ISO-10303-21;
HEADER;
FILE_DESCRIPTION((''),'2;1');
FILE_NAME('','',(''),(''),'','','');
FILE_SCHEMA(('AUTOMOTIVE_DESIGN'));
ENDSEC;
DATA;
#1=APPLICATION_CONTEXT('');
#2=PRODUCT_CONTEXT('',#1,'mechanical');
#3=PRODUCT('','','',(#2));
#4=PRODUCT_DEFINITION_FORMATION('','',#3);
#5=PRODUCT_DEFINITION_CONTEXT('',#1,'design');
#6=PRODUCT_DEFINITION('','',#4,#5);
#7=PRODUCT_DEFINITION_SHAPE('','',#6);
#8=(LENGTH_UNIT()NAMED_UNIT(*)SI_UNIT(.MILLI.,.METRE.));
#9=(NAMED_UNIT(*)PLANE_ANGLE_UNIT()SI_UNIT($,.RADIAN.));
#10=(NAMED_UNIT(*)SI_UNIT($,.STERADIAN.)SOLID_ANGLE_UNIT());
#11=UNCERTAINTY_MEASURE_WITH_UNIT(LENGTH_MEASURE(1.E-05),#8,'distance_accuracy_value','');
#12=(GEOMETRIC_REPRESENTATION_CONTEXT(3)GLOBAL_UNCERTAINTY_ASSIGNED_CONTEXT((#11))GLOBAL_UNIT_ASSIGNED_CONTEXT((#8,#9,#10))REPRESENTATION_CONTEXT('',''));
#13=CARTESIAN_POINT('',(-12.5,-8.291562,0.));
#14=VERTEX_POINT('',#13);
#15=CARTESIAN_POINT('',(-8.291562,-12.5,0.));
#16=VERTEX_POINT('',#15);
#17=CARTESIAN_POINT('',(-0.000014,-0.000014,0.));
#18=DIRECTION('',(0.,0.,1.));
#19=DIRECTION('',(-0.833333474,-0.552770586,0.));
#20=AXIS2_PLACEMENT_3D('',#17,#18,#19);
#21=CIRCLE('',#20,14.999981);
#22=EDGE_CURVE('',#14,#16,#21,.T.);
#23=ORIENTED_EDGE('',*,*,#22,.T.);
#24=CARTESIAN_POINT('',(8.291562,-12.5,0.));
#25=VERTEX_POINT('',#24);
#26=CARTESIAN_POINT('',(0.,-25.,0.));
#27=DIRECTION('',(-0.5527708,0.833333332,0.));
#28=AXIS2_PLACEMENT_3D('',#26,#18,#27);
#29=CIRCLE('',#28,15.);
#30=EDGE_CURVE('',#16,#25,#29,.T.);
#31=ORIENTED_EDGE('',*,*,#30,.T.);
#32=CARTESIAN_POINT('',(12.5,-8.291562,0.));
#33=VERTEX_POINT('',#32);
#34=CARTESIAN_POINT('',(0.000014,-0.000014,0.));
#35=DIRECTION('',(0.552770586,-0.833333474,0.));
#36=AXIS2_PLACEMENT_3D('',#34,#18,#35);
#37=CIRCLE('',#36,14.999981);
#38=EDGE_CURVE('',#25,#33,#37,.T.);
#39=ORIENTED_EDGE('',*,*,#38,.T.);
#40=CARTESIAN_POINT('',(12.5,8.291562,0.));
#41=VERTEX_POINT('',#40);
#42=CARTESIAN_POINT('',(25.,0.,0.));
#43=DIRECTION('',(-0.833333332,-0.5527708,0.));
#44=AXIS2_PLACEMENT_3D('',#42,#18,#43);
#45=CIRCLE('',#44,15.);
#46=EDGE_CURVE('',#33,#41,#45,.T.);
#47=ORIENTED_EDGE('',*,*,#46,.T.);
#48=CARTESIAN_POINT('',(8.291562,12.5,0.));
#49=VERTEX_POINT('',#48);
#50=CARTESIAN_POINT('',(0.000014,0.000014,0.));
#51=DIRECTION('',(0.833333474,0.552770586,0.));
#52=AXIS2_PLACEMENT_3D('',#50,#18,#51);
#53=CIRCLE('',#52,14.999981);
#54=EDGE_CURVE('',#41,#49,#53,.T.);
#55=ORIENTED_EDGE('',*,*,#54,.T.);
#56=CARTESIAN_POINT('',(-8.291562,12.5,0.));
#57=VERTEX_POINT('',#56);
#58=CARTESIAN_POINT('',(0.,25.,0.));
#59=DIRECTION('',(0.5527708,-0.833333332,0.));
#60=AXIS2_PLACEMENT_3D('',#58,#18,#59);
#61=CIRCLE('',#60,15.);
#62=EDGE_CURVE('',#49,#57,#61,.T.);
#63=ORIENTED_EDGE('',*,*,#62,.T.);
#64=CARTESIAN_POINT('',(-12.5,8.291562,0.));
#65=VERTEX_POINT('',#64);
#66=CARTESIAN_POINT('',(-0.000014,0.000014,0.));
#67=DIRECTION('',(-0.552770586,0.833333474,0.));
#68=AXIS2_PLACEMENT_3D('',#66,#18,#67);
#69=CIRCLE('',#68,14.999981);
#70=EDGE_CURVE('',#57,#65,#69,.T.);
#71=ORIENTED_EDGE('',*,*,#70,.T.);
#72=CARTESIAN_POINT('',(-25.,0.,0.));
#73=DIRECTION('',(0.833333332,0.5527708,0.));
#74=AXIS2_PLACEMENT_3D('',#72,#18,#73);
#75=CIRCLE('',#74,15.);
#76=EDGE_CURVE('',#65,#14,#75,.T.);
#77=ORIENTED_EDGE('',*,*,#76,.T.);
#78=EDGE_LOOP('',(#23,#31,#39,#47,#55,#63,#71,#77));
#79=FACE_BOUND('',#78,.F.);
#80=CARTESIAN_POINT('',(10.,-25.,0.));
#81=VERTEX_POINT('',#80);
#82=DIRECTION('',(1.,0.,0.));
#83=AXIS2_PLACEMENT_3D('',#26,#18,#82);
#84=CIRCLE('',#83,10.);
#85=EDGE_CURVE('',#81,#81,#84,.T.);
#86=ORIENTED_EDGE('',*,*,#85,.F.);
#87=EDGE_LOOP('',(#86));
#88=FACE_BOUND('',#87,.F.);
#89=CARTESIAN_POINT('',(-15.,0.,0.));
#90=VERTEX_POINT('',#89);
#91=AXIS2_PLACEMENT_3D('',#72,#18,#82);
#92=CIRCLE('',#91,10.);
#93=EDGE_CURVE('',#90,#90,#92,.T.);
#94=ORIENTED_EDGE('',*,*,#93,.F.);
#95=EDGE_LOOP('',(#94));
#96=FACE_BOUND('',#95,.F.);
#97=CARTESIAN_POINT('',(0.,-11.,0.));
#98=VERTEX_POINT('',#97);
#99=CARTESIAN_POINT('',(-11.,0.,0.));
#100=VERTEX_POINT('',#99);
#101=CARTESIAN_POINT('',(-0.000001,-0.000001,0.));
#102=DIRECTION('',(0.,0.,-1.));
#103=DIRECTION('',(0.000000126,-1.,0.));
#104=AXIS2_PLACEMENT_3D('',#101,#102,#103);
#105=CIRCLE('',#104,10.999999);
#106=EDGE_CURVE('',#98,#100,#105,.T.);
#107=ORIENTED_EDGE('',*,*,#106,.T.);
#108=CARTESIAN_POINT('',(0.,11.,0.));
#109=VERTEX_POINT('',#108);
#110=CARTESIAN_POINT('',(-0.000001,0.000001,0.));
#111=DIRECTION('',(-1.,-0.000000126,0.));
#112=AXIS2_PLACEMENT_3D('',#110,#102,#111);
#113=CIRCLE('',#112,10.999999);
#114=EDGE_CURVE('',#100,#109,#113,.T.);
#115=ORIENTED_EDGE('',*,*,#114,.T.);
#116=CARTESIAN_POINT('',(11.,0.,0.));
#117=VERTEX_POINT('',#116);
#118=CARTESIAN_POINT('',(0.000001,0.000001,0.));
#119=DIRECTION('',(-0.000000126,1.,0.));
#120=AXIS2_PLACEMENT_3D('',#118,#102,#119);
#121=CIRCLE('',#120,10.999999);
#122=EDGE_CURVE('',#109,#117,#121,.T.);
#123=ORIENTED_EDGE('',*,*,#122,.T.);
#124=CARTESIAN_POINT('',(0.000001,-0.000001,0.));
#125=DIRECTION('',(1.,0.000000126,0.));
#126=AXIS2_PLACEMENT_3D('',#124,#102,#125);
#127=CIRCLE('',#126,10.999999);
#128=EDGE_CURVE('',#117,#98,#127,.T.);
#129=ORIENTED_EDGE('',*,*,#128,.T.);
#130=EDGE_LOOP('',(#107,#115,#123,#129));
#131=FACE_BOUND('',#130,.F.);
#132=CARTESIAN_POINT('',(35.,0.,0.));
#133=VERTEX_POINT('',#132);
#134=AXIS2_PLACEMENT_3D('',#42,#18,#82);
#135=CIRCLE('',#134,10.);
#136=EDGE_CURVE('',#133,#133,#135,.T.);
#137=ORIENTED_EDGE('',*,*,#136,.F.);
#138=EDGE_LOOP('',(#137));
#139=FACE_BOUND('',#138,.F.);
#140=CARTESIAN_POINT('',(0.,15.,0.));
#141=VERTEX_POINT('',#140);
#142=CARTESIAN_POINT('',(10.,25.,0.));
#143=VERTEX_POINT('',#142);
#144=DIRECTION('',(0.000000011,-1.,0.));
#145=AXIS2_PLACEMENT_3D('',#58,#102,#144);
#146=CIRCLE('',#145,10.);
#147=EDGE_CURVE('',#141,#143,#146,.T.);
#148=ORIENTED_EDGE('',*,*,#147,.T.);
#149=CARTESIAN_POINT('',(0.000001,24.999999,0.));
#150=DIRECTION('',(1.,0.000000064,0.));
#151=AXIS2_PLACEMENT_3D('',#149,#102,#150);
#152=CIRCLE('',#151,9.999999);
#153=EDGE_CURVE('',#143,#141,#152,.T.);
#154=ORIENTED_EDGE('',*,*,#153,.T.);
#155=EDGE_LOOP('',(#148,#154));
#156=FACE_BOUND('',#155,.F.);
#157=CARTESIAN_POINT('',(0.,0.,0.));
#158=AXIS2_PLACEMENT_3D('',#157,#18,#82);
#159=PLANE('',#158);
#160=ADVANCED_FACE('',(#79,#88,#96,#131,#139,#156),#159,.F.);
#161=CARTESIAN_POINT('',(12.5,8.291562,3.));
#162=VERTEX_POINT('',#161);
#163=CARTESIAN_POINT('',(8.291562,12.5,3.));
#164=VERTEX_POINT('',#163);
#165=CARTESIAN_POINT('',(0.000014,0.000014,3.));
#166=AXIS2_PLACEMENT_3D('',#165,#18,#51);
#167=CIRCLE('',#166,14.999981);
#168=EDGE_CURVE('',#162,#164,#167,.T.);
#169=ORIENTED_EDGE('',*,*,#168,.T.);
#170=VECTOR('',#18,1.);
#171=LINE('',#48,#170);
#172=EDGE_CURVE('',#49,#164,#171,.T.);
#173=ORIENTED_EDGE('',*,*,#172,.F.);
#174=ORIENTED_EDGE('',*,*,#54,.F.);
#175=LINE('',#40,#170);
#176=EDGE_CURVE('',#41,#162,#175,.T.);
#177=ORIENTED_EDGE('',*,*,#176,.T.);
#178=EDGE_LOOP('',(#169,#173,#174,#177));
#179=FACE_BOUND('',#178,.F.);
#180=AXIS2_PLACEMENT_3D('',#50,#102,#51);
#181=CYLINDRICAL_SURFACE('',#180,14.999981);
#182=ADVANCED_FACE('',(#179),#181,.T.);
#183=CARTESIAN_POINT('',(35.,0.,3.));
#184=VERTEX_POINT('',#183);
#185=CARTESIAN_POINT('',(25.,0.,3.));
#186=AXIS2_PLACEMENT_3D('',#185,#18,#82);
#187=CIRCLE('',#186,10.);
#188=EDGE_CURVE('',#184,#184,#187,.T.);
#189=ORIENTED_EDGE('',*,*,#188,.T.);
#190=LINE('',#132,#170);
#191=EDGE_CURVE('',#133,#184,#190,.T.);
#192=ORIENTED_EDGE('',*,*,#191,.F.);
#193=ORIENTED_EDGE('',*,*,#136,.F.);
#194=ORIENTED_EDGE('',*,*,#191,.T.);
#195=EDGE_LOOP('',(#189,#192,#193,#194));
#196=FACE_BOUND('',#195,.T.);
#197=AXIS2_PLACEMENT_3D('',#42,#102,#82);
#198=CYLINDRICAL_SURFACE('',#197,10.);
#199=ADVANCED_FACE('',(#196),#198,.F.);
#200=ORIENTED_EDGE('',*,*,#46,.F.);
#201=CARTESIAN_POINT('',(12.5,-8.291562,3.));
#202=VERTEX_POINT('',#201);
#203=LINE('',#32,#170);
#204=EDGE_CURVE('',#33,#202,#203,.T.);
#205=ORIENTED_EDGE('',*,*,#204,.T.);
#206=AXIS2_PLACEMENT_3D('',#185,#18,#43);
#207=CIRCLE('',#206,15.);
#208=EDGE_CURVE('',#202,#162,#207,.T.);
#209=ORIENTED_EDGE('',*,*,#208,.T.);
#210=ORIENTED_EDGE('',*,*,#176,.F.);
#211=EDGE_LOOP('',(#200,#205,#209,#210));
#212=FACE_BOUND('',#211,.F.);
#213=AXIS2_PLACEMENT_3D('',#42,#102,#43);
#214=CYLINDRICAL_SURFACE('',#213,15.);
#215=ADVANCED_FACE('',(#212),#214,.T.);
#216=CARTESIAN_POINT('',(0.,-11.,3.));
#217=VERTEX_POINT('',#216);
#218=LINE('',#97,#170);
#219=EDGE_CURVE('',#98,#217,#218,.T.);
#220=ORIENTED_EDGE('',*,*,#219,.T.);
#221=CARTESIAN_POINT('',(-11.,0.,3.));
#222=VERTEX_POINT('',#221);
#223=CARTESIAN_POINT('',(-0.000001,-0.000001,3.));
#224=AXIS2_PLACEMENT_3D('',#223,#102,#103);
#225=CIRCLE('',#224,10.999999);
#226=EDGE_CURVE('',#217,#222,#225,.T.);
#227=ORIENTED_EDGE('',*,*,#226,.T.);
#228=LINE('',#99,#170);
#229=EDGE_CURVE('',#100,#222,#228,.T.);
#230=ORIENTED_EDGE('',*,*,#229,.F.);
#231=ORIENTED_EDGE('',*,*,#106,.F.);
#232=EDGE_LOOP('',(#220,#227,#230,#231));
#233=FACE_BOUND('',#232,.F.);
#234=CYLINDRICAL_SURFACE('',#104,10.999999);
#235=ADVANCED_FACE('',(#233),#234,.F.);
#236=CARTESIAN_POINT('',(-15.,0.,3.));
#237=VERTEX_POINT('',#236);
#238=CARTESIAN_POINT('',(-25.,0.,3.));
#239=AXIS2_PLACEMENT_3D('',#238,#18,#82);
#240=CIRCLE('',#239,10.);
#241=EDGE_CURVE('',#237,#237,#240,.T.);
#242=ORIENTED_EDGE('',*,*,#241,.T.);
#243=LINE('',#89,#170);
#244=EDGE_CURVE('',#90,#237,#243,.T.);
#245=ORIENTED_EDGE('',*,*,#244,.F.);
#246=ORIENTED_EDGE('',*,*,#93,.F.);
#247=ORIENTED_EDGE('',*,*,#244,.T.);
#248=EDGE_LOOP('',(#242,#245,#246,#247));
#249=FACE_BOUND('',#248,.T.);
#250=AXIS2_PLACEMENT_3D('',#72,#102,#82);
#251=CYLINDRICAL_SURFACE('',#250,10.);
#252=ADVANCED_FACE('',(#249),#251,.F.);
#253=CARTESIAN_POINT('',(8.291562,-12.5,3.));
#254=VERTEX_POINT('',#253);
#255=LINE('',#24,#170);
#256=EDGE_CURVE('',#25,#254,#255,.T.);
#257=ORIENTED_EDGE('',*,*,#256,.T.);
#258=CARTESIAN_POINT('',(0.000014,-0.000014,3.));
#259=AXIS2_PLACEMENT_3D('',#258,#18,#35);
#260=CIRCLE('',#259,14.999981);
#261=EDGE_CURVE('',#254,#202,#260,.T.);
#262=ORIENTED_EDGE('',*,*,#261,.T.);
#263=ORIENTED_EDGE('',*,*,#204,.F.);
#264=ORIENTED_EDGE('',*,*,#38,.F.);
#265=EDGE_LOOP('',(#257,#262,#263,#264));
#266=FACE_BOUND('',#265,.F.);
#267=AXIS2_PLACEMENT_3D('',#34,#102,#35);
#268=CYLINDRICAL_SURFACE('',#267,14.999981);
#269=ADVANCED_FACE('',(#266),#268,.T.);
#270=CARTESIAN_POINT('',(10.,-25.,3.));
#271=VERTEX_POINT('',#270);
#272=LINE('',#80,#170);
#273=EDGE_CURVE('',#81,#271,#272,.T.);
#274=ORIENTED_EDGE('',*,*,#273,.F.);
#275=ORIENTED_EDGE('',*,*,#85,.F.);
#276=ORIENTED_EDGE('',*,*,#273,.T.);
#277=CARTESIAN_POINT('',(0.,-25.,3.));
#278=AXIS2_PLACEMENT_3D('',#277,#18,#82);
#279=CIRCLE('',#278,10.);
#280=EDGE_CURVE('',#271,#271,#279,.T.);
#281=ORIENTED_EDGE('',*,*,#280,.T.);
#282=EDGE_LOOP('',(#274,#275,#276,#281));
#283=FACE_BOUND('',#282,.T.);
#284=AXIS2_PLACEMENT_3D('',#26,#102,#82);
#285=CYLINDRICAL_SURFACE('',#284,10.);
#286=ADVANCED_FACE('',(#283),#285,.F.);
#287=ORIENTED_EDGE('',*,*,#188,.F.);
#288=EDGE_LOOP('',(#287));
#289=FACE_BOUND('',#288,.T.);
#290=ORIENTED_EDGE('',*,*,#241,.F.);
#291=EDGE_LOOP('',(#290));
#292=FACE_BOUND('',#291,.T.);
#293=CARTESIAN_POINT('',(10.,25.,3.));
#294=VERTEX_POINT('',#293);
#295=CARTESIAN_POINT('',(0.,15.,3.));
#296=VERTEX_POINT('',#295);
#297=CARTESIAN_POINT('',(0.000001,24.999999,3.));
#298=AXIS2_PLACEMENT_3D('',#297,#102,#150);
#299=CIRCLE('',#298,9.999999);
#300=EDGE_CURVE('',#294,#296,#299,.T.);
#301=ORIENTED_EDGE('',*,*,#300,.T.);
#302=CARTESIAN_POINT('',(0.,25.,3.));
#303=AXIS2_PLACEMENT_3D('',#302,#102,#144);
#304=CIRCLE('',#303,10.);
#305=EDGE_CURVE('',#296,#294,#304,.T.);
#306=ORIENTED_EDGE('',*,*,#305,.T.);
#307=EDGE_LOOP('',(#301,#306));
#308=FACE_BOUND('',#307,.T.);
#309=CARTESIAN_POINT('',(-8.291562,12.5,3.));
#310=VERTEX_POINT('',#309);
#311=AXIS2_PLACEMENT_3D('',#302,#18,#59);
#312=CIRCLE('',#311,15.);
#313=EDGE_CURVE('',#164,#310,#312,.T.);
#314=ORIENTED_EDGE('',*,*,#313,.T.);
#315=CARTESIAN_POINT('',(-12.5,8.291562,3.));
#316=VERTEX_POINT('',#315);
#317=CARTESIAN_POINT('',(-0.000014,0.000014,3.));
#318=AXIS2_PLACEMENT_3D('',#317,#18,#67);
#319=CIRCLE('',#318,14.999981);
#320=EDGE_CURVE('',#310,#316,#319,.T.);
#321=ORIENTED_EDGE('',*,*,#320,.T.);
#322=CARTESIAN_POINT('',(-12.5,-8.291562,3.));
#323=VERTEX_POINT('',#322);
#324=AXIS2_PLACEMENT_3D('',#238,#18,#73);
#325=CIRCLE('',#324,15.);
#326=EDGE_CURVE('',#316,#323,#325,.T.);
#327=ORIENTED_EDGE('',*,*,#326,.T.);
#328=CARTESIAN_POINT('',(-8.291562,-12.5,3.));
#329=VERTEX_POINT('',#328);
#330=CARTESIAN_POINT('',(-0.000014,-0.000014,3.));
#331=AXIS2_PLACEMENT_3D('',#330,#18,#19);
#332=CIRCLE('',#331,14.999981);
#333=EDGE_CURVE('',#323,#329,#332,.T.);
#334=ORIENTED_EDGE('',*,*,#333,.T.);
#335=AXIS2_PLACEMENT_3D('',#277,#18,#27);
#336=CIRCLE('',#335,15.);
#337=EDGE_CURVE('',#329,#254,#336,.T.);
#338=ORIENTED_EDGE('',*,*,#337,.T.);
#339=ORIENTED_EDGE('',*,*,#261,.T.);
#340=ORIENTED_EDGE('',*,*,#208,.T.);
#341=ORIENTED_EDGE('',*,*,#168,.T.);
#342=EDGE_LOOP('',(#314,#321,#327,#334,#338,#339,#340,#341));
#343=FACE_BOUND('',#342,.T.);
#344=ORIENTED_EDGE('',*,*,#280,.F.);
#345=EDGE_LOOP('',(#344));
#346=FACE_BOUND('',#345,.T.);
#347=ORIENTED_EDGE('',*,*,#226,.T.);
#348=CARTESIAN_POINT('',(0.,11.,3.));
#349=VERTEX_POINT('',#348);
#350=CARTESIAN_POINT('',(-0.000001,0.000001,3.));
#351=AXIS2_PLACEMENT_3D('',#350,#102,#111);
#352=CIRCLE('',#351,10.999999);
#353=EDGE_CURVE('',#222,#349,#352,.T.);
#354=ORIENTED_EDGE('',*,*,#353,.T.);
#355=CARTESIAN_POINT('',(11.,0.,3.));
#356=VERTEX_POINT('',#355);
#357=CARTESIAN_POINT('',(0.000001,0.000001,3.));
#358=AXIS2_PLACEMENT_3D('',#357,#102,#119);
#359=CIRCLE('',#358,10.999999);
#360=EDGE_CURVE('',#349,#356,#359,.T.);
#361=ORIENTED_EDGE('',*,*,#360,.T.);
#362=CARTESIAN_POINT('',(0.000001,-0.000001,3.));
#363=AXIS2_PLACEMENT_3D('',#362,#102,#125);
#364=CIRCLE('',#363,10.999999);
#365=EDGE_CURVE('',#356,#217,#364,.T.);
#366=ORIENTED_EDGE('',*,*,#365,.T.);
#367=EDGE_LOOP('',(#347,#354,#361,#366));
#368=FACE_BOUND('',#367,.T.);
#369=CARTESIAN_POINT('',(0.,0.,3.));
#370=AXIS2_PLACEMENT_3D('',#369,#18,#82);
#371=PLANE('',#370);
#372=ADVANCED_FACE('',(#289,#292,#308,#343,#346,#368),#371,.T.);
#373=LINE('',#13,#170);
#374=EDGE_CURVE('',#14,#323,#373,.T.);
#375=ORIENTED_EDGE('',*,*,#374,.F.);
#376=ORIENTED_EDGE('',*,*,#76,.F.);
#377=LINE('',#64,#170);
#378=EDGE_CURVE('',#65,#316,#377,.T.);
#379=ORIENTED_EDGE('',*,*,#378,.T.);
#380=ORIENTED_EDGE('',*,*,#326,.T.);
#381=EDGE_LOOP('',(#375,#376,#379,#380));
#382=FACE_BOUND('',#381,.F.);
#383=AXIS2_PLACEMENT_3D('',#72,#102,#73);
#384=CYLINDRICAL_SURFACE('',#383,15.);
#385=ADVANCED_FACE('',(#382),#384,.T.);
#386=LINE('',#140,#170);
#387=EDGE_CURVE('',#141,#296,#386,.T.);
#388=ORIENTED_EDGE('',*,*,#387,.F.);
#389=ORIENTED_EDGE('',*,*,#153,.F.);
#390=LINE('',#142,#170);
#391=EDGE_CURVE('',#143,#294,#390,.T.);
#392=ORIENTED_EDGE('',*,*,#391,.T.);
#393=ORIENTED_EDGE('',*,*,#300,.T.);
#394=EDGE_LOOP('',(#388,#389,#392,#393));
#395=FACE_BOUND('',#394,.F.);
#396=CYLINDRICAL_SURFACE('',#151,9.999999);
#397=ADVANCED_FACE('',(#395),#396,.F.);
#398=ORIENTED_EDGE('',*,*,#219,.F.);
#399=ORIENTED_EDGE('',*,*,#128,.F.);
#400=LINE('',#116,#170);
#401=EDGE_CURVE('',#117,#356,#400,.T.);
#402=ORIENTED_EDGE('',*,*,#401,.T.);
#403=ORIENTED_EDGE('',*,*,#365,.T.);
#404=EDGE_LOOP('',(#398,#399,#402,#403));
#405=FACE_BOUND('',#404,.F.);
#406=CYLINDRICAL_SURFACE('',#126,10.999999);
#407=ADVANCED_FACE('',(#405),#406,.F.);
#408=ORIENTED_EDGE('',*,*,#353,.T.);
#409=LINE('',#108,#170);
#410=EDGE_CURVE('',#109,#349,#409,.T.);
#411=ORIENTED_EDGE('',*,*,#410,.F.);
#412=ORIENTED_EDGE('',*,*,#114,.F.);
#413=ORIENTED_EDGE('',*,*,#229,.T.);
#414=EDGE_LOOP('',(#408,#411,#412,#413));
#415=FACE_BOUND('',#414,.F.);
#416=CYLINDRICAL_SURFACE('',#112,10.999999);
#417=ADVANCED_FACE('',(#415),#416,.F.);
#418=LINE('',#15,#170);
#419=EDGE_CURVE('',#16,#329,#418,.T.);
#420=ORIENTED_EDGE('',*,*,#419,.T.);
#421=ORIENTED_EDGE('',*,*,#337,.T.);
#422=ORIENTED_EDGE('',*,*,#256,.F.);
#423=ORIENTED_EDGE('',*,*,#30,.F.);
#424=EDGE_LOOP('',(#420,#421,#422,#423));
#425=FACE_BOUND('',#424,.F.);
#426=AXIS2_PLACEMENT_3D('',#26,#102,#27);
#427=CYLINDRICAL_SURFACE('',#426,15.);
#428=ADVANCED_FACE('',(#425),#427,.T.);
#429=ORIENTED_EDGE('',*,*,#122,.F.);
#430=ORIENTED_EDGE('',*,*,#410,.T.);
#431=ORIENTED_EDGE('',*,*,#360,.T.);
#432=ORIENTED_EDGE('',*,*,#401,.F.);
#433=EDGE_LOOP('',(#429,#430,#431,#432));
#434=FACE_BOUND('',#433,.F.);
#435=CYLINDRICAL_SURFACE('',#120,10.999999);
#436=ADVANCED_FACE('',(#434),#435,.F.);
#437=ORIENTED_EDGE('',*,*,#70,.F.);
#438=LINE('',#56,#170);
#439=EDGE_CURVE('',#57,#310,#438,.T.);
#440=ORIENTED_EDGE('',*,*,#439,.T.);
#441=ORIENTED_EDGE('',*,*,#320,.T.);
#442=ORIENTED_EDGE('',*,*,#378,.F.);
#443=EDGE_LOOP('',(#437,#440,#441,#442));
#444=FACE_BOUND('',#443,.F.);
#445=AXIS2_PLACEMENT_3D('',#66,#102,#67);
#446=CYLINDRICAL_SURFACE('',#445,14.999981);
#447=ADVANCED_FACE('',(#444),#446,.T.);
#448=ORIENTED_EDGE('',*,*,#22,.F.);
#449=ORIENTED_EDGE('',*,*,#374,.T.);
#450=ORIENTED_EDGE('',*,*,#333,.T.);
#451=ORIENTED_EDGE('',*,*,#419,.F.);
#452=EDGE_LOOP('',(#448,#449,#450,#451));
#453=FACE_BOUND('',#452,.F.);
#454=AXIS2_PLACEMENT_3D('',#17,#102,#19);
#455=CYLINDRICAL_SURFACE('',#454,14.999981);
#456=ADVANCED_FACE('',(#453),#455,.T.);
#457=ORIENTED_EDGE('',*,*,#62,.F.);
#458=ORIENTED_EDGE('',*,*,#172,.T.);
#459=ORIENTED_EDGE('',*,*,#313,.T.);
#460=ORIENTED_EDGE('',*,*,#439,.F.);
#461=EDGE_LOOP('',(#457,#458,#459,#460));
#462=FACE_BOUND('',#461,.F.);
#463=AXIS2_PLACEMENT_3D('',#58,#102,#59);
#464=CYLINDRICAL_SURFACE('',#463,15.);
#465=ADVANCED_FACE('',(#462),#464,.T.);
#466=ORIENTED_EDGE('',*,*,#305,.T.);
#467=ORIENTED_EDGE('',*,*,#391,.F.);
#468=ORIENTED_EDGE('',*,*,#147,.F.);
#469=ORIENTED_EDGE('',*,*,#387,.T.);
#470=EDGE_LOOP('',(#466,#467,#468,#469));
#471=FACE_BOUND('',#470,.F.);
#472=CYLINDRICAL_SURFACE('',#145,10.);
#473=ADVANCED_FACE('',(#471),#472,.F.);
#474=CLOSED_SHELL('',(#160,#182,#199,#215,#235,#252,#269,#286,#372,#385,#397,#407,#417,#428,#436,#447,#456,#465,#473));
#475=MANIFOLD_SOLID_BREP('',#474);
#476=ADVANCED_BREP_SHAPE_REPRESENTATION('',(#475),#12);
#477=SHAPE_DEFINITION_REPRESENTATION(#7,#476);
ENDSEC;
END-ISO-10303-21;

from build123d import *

# Parameters (mm, degrees)
F0_R     = 10
F1_DEPTH = 3


with BuildPart() as f1:
    # F0 (on Top) → F1 (new body)
    with BuildSketch(Plane.XY):
        with BuildLine():
            ThreePointArc((0, -11), (7.778175, -7.778175), (11, 0))
            ThreePointArc((11, 0), (7.778175, 7.778175), (0, 11))
            ThreePointArc((0, 11), (-7.778175, 7.778175), (-11, 0))
            ThreePointArc((-11, 0), (-7.778175, -7.778175), (0, -11))
        make_face()
        with BuildLine():
            ThreePointArc((10, 25), (-7.071068, 32.071068), (0, 15))
            ThreePointArc((0, 15), (7.071068, 17.928932), (10, 25))
        make_face()
        with BuildLine():
            ThreePointArc((8.291562, 12.5), (0, 40), (-8.291562, 12.5))
            ThreePointArc((-8.291562, 12.5), (-10.606602, 10.606602), (-12.5, 8.291562))
            ThreePointArc((-12.5, 8.291562), (-40, 0), (-12.5, -8.291562))
            ThreePointArc((-12.5, -8.291562), (-10.606602, -10.606602), (-8.291562, -12.5))
            ThreePointArc((-8.291562, -12.5), (0, -40), (8.291562, -12.5))
            ThreePointArc((8.291562, -12.5), (10.606602, -10.606602), (12.5, -8.291562))
            ThreePointArc((12.5, -8.291562), (40, 0), (12.5, 8.291562))
            ThreePointArc((12.5, 8.291562), (10.606602, 10.606602), (8.291562, 12.5))
        make_face()
        with Locations((0, -25)):
            Circle(F0_R, mode=Mode.SUBTRACT)
        with Locations((-25, 0)):
            Circle(F0_R, mode=Mode.SUBTRACT)
        with BuildLine():
            ThreePointArc((0, 11), (7.778175, 7.778175), (11, 0))
            ThreePointArc((11, 0), (7.778175, -7.778175), (0, -11))
            ThreePointArc((0, -11), (-7.778175, -7.778175), (-11, 0))
            ThreePointArc((-11, 0), (-7.778175, 7.778175), (0, 11))
        make_face(mode=Mode.SUBTRACT)
        with Locations((25, 0)):
            Circle(F0_R, mode=Mode.SUBTRACT)
        with BuildLine():
            ThreePointArc((10, 25), (7.071068, 17.928932), (0, 15))
            ThreePointArc((0, 15), (-7.071068, 32.071068), (10, 25))
        make_face(mode=Mode.SUBTRACT)
    extrude(amount=F1_DEPTH)


solid = f1.part
